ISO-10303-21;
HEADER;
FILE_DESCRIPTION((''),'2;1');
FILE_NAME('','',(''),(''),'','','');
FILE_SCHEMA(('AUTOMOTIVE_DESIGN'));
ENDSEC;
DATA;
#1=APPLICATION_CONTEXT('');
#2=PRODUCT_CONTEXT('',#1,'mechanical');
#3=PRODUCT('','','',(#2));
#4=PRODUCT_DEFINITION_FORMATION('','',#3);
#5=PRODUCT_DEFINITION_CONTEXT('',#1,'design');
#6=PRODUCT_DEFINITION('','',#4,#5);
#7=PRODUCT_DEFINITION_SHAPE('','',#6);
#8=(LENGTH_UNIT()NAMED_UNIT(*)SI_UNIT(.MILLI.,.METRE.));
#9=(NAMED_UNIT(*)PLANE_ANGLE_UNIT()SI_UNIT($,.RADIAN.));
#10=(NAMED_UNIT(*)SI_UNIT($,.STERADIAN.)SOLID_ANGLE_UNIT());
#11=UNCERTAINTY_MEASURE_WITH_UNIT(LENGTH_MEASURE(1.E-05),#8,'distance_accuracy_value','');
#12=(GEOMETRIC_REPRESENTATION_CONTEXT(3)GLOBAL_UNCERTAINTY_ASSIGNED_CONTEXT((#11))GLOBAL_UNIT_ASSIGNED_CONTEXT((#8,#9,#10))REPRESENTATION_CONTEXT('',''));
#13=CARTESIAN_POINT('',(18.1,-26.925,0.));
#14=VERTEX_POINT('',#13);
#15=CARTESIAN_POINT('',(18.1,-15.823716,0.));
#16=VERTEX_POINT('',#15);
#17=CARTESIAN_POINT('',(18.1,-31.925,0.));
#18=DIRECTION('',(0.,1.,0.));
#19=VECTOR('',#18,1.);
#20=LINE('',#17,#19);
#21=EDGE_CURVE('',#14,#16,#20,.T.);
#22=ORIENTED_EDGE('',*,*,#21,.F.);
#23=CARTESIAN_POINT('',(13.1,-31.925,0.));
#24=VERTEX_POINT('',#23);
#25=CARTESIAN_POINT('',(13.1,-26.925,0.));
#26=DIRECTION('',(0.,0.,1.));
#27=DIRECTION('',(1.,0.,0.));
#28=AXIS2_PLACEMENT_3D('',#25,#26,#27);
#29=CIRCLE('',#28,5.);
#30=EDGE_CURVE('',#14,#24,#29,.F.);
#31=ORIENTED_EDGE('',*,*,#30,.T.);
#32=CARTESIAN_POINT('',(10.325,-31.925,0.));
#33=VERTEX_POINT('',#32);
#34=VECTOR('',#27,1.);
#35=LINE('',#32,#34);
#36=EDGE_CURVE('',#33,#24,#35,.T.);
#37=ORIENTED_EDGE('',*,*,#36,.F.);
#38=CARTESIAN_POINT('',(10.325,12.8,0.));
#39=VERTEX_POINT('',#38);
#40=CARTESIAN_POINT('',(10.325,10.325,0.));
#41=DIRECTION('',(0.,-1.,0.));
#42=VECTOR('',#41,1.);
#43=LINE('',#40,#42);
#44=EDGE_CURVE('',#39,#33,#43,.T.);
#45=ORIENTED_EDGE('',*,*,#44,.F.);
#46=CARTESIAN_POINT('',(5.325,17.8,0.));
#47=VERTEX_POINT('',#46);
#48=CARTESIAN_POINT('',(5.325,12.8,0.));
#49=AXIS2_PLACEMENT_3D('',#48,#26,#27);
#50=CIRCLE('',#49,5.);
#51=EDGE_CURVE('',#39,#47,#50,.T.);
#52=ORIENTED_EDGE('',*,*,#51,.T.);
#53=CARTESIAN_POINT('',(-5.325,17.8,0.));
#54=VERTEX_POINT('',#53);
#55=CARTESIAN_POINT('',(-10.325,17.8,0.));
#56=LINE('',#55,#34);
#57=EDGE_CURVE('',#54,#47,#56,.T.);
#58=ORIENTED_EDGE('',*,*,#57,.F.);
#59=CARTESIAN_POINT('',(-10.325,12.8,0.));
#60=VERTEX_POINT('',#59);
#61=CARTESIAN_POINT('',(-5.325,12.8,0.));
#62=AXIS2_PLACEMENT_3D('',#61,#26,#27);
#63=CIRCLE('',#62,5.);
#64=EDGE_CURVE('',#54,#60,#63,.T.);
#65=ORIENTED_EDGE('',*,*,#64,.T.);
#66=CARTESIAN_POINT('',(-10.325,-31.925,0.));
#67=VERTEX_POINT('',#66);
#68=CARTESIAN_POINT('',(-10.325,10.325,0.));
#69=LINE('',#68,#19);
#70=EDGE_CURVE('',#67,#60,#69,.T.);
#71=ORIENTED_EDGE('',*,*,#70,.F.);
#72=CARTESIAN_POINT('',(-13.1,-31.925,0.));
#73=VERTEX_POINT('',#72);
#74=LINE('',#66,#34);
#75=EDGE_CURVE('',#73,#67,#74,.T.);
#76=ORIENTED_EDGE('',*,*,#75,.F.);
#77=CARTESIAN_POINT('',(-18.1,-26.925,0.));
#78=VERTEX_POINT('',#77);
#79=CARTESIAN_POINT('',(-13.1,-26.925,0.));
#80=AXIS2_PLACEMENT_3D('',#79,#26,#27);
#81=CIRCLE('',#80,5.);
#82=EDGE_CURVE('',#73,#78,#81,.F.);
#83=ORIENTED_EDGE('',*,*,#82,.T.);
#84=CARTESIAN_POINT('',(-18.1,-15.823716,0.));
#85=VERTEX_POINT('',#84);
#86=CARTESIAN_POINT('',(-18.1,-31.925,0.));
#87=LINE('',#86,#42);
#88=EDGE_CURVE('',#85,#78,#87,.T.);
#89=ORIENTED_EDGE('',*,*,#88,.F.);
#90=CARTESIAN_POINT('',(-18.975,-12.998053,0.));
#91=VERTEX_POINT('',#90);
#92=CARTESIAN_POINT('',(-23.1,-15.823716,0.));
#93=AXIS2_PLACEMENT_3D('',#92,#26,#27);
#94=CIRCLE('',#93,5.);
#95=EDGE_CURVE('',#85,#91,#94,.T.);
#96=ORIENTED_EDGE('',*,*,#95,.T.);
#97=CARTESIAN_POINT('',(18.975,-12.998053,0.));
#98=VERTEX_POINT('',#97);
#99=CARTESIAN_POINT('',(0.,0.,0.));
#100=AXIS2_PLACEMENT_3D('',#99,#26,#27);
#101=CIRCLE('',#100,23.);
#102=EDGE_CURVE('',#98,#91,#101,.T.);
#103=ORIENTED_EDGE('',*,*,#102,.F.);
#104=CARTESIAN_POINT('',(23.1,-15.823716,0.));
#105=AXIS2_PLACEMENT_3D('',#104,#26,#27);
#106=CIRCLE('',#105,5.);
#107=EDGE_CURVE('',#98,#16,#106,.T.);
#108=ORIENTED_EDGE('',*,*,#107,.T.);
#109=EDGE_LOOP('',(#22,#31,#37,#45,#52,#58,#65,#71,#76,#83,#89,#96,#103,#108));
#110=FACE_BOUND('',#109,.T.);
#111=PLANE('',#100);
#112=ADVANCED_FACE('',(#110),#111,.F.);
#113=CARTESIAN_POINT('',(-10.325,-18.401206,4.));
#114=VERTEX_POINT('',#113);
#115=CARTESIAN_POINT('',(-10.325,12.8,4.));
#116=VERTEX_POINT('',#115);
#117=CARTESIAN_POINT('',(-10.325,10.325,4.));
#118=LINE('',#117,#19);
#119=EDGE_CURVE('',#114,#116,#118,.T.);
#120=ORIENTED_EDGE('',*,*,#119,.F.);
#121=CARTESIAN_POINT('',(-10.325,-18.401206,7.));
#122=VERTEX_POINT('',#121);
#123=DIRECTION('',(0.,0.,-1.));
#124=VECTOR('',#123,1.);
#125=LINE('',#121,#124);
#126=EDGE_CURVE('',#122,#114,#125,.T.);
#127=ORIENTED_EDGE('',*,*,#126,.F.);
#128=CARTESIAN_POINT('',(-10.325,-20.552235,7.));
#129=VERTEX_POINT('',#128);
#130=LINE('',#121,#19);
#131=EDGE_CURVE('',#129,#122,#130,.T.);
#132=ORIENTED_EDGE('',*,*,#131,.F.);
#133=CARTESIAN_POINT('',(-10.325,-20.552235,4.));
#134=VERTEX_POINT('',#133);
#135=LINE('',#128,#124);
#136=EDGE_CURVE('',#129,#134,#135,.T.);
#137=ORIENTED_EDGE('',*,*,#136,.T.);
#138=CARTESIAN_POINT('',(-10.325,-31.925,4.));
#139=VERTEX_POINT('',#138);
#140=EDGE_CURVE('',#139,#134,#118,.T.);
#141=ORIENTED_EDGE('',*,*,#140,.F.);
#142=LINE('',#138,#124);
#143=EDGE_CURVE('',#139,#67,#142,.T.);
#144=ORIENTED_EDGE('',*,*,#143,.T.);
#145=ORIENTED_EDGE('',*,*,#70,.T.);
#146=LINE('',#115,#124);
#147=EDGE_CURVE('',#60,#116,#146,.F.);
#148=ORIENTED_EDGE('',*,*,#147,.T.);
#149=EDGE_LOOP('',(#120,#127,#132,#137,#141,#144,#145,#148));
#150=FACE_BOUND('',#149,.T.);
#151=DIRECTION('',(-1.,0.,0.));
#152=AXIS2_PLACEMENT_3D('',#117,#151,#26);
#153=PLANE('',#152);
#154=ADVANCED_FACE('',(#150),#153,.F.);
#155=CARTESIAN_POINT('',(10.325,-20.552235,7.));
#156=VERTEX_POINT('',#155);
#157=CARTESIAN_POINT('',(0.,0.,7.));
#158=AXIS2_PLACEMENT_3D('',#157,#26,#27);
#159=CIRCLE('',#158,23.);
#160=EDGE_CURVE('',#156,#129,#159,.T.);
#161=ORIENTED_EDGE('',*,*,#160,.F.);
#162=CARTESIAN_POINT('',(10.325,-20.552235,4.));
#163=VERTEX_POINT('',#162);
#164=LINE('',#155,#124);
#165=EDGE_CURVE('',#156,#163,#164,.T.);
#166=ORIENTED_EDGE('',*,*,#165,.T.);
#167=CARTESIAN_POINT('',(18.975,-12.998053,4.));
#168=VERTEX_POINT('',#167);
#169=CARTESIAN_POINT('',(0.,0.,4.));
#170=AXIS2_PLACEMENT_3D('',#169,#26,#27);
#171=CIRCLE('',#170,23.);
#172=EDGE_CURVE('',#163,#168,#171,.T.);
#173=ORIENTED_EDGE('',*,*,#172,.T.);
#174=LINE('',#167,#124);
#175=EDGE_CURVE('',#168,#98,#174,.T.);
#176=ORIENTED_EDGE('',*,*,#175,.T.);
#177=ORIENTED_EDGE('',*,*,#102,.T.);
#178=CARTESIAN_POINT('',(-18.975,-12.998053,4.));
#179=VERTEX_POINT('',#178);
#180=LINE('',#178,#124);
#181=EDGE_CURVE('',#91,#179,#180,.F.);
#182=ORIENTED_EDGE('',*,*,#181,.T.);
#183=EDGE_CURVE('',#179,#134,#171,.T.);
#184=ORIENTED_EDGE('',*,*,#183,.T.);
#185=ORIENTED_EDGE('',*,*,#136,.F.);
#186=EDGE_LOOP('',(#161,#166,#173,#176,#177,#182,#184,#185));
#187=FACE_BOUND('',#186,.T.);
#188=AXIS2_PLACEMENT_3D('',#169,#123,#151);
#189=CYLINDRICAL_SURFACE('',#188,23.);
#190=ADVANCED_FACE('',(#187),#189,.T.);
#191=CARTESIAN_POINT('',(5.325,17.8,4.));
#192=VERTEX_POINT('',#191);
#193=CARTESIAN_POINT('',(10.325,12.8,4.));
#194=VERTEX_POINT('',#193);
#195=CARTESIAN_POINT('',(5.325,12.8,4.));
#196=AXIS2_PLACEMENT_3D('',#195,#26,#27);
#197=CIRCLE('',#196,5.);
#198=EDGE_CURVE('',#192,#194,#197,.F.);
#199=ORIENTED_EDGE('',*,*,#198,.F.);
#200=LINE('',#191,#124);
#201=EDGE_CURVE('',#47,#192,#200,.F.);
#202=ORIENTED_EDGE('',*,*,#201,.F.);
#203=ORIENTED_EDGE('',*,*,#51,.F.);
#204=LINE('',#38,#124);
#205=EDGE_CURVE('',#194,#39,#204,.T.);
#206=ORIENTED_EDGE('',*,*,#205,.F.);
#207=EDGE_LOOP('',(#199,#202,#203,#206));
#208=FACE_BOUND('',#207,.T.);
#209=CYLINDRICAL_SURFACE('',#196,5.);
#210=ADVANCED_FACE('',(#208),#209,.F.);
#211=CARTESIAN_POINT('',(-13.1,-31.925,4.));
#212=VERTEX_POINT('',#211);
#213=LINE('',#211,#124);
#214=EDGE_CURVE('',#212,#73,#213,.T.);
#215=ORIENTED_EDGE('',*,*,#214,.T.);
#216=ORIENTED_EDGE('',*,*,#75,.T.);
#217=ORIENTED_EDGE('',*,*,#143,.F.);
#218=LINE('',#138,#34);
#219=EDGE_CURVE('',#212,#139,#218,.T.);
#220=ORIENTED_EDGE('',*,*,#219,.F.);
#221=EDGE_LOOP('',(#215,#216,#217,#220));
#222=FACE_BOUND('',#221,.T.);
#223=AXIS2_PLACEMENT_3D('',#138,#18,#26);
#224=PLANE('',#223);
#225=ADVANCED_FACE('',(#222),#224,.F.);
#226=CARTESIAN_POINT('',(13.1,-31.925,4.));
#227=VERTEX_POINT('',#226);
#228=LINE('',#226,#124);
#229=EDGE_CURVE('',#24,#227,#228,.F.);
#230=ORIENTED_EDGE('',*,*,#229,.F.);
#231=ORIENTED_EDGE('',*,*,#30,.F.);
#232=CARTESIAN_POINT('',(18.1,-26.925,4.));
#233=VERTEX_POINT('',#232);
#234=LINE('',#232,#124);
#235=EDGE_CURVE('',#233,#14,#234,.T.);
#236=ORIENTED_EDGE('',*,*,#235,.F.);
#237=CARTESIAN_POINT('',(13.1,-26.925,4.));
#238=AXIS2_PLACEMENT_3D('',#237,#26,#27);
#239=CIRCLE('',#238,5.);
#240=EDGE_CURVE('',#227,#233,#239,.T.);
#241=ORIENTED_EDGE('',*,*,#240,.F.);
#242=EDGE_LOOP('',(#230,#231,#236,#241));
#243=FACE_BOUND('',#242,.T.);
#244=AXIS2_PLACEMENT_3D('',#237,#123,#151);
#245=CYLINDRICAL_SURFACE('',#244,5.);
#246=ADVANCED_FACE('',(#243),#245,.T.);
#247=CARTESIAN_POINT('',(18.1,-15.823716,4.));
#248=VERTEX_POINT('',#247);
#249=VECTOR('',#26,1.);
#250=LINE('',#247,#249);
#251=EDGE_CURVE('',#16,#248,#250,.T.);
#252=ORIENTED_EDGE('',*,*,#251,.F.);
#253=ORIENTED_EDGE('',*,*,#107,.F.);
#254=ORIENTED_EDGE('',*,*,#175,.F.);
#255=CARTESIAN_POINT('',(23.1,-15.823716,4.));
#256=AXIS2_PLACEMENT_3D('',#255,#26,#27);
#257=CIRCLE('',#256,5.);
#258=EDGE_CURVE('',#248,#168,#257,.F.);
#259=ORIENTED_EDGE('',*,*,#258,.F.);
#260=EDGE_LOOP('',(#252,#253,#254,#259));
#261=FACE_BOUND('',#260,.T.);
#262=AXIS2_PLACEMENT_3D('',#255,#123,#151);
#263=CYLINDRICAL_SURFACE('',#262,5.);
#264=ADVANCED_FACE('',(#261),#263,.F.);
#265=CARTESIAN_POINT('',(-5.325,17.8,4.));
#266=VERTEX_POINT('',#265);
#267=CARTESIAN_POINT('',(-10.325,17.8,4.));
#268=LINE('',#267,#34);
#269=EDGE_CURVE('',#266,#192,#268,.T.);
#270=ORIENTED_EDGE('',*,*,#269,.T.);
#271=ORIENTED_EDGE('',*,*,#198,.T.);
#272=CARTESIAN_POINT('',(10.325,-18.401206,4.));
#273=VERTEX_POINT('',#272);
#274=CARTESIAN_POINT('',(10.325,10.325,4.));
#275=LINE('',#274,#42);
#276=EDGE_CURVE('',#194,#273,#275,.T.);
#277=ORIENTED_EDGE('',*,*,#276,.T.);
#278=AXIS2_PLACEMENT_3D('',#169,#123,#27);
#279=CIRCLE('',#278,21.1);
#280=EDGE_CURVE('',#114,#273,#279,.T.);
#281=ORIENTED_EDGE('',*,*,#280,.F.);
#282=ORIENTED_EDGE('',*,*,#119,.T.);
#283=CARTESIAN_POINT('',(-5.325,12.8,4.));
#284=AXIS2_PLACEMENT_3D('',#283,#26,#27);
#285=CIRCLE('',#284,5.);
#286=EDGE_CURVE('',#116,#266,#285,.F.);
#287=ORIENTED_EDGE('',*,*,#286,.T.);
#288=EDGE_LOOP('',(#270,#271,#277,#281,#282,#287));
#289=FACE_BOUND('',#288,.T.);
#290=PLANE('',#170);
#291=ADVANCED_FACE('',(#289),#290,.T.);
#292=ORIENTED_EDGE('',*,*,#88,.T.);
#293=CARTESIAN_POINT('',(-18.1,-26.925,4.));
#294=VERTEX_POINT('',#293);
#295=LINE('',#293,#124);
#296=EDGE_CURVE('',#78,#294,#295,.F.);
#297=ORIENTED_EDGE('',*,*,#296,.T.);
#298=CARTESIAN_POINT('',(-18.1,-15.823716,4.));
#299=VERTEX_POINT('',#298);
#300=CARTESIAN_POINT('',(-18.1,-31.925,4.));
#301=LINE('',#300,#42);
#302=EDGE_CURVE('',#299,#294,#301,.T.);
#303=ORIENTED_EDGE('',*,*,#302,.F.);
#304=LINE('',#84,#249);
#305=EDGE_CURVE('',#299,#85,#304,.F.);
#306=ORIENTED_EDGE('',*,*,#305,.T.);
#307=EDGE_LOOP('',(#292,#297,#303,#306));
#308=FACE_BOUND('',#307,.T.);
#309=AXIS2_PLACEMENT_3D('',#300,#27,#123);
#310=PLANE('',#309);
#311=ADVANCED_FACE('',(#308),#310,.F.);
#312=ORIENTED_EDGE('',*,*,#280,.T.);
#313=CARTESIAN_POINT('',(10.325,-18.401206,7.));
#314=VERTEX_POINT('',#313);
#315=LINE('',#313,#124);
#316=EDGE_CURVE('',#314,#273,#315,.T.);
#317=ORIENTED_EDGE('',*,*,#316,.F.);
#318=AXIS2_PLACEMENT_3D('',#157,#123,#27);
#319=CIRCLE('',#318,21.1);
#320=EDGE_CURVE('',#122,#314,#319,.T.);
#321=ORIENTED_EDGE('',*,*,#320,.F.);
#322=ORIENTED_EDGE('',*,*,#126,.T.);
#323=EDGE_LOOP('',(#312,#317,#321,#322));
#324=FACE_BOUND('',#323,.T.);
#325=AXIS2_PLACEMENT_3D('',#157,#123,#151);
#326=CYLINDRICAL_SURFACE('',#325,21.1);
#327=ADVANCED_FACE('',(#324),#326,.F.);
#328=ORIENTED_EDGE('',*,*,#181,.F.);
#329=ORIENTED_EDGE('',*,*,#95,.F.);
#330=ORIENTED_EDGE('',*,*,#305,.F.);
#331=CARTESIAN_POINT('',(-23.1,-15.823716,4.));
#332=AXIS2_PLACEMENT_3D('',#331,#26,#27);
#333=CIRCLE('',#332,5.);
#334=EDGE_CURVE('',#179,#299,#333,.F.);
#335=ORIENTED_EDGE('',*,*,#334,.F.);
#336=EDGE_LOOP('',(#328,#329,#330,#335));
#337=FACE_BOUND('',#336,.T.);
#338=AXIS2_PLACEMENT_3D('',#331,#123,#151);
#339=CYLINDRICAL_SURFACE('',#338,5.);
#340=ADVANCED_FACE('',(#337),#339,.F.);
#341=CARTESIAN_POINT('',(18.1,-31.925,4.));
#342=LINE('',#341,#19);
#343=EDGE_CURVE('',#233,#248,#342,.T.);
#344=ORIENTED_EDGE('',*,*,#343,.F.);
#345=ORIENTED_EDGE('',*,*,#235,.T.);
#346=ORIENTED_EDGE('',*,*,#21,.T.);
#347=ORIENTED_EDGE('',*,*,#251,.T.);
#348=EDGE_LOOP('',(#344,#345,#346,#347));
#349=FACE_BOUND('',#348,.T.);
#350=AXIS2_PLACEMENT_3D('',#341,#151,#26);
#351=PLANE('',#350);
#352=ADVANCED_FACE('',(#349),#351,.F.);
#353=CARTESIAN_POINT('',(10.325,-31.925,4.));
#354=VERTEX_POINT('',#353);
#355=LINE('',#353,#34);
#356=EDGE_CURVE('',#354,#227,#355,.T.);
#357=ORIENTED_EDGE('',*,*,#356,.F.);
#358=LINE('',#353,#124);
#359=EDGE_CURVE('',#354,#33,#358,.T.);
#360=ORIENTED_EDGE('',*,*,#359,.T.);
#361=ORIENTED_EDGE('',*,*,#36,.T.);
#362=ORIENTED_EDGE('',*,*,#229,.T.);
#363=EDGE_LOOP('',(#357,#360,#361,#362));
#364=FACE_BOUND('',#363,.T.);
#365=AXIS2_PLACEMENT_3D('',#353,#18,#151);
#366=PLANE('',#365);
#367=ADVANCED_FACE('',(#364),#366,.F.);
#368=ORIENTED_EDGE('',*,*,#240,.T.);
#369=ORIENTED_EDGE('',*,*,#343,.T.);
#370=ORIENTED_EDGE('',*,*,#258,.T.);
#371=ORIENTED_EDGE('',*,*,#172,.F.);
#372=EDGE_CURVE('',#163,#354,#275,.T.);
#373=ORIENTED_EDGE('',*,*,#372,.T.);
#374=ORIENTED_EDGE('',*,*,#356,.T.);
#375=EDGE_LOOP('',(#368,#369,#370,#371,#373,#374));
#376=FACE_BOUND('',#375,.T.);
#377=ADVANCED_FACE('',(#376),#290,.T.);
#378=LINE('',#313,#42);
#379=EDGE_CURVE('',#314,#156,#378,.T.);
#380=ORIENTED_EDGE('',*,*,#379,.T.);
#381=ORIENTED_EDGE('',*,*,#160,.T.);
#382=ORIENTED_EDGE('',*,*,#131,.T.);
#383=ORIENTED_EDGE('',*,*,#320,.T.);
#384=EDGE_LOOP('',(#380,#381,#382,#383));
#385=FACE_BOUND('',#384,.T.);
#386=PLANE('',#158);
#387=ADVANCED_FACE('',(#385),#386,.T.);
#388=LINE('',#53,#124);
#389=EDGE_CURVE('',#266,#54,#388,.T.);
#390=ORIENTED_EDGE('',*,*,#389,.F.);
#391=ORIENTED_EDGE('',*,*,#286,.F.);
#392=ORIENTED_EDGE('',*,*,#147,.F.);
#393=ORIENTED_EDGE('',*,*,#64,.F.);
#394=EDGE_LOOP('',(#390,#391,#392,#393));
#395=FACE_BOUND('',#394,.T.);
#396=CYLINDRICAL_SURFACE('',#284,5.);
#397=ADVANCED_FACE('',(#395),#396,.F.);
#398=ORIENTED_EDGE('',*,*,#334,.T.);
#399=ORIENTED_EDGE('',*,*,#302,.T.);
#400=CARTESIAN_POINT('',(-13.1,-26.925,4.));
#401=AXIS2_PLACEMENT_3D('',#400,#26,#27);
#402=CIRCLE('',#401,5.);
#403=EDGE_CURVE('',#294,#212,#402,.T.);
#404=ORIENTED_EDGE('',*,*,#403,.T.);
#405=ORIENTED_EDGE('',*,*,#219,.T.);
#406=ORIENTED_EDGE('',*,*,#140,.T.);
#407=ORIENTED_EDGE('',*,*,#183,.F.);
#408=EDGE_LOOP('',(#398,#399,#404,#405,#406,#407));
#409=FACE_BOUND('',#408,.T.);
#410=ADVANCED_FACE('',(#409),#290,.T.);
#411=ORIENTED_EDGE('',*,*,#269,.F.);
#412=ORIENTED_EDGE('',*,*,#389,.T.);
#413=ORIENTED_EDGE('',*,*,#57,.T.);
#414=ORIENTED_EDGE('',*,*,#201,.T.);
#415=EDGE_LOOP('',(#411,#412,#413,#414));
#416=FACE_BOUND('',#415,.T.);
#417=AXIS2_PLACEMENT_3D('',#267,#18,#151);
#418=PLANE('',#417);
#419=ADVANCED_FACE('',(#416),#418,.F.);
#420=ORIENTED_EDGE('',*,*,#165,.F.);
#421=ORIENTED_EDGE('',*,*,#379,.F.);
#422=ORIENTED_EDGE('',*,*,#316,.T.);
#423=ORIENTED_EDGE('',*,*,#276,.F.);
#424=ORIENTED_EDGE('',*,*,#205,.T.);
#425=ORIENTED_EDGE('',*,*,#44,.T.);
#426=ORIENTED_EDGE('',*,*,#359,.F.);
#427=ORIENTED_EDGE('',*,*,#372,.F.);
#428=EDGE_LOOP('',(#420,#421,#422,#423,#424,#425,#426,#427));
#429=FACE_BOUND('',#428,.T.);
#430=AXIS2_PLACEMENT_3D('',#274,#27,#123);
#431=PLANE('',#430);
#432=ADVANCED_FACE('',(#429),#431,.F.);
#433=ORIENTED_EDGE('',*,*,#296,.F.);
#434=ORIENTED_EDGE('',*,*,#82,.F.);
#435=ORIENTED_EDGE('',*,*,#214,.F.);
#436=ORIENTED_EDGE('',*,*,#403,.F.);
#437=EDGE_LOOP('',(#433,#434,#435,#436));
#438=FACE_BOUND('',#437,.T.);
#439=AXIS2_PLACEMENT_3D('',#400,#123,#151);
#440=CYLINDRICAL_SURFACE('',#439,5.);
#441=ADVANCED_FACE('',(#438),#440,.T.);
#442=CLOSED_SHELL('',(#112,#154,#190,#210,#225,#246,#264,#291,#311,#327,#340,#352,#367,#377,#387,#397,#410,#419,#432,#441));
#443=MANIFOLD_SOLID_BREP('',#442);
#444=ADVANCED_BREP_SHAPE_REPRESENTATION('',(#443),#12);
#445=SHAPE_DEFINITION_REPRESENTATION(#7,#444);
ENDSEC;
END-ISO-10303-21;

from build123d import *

# Parameters (mm, degrees)
BOSS_EXTRUDE1_DEPTH = 4
BOSS_EXTRUDE2_DEPTH = 3
FILLET1_R           = 5
FILLET2_R           = 5


with BuildPart() as part:
    # Sketch1 → Boss-Extrude1 (new body)
    with BuildSketch(Plane.XY):
        with BuildLine():
            Line((-10.325, 10.325), (-10.325, -31.925))
            Line((-10.325, -31.925), (-18.1, -31.925))
            Line((-18.1, -31.925), (-18.1, -14.191194453))
            ThreePointArc((-18.1, -14.191194453), (0, 23), (18.1, -14.191194453))
            Line((18.1, -14.191194453), (18.1, -31.925))
            Line((18.1, -31.925), (10.325, -31.925))
            Line((10.325, -31.925), (10.325, 10.325))
            Line((10.325, 10.325), (10.325, 17.8))
            Line((10.325, 17.8), (-10.325, 17.8))
            Line((-10.325, 17.8), (-10.325, 10.325))
        make_face()
    extrude(amount=BOSS_EXTRUDE1_DEPTH)

    # Sketch2 → Boss-Extrude2 (add)
    with BuildSketch(Plane.XY.offset(4)):
        with BuildLine():
            Line((-10.325, -18.401205803), (-10.325, -20.55223528))
            ThreePointArc((-10.325, -20.55223528), (0, 23), (10.325, -20.55223528))
            Line((10.325, -20.55223528), (10.325, -18.401205803))
            ThreePointArc((10.325, -18.401205803), (0, 21.1), (-10.325, -18.401205803))
        make_face()
    extrude(amount=BOSS_EXTRUDE2_DEPTH)

    # Fillet1
    fillet1_edges = [part.edges().sort_by_distance(p)[0] for p in [
        (10.325, 17.8, 2),
        (-10.325, 17.8, 2),
    ]]
    fillet(fillet1_edges, radius=FILLET1_R)

    # Fillet2
    fillet2_edges = [part.edges().sort_by_distance(p)[0] for p in [
        (18.1, -31.925, 2),
        (-18.1, -31.925, 2),
        (-18.1, -14.191194453, 2),
        (18.1, -14.191194453, 2),
    ]]
    fillet(fillet2_edges, radius=FILLET2_R)


solid = part.part
